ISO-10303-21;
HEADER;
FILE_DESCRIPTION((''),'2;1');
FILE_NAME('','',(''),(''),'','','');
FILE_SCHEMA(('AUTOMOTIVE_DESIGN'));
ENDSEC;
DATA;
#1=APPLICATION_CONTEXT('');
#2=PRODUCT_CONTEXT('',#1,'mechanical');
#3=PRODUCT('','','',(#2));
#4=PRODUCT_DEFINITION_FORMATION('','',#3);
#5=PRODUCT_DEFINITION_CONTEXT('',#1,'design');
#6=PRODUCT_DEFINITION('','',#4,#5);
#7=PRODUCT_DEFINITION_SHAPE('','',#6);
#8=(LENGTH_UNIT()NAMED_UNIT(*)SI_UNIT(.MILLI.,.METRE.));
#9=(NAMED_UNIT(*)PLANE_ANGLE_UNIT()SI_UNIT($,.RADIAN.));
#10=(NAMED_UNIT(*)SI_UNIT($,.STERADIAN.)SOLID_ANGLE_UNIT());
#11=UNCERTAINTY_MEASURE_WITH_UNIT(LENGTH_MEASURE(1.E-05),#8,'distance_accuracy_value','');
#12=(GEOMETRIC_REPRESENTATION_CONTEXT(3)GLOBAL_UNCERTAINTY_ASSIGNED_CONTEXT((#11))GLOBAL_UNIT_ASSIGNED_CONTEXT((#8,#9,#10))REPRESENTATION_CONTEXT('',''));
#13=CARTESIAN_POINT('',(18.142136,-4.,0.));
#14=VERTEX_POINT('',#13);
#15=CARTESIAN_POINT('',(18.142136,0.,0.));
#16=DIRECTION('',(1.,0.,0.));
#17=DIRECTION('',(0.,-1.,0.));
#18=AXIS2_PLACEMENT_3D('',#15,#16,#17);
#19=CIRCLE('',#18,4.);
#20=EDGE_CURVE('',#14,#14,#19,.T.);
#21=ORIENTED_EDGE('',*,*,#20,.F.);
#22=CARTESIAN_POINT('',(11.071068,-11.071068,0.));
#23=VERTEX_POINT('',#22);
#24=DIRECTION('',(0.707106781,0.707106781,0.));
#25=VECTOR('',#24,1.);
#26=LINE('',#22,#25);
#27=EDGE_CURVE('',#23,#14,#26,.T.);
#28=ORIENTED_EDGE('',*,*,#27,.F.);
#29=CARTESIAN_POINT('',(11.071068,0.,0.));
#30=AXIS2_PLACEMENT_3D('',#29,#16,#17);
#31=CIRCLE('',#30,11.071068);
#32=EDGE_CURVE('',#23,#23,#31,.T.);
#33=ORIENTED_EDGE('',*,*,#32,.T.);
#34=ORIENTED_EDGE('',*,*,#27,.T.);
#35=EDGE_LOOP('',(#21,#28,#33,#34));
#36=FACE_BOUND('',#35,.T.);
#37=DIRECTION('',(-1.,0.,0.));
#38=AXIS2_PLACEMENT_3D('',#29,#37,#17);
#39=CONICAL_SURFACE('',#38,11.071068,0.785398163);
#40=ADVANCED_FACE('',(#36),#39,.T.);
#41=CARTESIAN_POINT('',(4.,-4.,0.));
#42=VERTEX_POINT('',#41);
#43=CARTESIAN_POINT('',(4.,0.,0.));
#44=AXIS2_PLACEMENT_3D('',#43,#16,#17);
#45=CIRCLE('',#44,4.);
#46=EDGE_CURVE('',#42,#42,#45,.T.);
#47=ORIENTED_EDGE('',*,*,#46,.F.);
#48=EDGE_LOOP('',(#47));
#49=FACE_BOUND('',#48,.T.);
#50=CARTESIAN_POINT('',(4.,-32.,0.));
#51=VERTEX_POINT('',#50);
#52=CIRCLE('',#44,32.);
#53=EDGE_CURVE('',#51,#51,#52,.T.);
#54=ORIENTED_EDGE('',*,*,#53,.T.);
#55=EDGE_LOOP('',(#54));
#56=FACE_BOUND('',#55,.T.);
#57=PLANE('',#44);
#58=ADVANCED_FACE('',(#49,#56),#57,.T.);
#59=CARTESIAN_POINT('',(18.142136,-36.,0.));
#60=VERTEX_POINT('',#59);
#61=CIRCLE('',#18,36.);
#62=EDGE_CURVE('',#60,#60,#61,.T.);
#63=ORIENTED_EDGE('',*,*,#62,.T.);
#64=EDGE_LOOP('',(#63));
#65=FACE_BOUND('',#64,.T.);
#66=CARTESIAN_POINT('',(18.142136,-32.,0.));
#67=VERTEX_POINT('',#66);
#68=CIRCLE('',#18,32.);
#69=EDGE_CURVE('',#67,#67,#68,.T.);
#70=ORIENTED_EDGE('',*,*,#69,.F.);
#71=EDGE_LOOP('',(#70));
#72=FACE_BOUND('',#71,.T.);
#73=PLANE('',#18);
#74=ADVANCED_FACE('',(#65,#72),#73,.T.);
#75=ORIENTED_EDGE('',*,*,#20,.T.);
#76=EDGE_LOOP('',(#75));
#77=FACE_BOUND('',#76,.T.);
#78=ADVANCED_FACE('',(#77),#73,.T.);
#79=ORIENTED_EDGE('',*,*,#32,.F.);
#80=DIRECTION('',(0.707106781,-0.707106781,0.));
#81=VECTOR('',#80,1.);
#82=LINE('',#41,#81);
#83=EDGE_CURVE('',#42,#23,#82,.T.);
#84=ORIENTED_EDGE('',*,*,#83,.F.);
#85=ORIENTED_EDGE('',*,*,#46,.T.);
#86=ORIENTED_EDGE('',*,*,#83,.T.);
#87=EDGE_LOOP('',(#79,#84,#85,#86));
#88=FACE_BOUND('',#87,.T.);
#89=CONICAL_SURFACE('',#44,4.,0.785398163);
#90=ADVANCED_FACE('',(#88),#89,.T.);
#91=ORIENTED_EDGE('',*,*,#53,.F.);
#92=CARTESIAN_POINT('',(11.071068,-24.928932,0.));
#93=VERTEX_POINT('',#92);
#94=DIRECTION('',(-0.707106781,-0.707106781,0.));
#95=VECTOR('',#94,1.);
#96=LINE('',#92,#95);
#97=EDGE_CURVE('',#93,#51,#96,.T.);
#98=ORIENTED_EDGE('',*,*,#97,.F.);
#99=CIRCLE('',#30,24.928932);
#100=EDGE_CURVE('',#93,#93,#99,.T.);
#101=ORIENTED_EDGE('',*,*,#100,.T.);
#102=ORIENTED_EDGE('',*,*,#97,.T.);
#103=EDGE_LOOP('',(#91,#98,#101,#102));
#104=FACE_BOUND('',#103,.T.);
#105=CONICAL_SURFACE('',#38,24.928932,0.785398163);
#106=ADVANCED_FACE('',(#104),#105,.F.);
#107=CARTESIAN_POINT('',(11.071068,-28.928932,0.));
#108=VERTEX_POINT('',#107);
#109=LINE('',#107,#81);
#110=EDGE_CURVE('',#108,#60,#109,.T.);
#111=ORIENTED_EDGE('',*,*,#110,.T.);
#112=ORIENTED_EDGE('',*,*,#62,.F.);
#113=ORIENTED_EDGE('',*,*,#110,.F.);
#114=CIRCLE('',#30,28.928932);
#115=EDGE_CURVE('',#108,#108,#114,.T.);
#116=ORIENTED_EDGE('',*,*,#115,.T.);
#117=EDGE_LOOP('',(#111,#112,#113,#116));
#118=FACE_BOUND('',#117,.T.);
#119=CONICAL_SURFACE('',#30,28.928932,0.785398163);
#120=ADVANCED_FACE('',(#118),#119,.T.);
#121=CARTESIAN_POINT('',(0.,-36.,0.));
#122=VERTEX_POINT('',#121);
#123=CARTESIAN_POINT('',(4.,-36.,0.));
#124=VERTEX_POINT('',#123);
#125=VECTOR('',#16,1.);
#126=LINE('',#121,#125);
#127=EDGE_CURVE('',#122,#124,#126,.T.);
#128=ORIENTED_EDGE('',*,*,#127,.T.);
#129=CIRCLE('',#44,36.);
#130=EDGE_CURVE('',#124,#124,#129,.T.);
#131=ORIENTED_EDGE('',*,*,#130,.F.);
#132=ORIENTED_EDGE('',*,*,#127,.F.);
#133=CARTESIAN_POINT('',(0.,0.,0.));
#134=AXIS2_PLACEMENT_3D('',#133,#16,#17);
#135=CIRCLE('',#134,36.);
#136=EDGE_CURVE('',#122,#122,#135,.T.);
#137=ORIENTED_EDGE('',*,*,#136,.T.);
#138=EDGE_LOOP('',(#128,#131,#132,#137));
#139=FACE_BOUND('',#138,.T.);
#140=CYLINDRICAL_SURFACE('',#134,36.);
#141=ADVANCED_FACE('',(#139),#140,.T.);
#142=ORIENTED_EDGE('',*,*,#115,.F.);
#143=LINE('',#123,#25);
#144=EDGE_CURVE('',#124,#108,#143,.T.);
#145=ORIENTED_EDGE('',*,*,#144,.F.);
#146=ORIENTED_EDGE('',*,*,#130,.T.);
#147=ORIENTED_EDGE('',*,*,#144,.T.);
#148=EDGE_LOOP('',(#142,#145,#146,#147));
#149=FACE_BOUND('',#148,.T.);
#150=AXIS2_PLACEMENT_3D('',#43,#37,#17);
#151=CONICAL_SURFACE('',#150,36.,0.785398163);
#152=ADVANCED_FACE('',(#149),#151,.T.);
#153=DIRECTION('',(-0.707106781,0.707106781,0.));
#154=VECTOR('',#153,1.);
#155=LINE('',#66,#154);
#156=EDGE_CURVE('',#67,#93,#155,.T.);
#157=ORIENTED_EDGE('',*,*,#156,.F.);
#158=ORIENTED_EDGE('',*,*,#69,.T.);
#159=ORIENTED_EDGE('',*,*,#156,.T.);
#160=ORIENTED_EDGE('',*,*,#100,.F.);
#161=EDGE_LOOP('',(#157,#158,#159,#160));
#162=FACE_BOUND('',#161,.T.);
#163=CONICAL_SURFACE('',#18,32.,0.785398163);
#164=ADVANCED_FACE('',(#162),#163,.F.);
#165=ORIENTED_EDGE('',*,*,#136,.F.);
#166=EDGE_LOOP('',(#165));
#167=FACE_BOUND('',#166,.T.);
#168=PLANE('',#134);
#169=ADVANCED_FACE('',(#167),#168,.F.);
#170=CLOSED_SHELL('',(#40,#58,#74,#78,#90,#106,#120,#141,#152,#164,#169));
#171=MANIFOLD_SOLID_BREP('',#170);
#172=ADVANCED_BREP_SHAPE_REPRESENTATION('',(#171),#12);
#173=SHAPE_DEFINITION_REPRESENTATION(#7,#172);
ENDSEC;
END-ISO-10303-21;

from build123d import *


with BuildPart() as f1:
    # F0 (on Top) → F1 (revolve)
    with BuildSketch(Plane.XY):
        Polygon((4, 0), (0, 0), (0, -36), (4, -36), (11.071068, -28.928932), (18.142136, -36), (18.142136, -32), (11.071068, -24.928932), (4, -32), (4, -4), (11.071068, -11.071068), (18.142136, -4), (18.142136, 0), (11.071068, -7.071068), align=None)
        Polygon((18.142136, 0), (4, 0), (11.071068, -7.071068), align=None)
    revolve(axis=Axis((11.071068, 0, 0), (1, 0, 0)))


solid = f1.part
